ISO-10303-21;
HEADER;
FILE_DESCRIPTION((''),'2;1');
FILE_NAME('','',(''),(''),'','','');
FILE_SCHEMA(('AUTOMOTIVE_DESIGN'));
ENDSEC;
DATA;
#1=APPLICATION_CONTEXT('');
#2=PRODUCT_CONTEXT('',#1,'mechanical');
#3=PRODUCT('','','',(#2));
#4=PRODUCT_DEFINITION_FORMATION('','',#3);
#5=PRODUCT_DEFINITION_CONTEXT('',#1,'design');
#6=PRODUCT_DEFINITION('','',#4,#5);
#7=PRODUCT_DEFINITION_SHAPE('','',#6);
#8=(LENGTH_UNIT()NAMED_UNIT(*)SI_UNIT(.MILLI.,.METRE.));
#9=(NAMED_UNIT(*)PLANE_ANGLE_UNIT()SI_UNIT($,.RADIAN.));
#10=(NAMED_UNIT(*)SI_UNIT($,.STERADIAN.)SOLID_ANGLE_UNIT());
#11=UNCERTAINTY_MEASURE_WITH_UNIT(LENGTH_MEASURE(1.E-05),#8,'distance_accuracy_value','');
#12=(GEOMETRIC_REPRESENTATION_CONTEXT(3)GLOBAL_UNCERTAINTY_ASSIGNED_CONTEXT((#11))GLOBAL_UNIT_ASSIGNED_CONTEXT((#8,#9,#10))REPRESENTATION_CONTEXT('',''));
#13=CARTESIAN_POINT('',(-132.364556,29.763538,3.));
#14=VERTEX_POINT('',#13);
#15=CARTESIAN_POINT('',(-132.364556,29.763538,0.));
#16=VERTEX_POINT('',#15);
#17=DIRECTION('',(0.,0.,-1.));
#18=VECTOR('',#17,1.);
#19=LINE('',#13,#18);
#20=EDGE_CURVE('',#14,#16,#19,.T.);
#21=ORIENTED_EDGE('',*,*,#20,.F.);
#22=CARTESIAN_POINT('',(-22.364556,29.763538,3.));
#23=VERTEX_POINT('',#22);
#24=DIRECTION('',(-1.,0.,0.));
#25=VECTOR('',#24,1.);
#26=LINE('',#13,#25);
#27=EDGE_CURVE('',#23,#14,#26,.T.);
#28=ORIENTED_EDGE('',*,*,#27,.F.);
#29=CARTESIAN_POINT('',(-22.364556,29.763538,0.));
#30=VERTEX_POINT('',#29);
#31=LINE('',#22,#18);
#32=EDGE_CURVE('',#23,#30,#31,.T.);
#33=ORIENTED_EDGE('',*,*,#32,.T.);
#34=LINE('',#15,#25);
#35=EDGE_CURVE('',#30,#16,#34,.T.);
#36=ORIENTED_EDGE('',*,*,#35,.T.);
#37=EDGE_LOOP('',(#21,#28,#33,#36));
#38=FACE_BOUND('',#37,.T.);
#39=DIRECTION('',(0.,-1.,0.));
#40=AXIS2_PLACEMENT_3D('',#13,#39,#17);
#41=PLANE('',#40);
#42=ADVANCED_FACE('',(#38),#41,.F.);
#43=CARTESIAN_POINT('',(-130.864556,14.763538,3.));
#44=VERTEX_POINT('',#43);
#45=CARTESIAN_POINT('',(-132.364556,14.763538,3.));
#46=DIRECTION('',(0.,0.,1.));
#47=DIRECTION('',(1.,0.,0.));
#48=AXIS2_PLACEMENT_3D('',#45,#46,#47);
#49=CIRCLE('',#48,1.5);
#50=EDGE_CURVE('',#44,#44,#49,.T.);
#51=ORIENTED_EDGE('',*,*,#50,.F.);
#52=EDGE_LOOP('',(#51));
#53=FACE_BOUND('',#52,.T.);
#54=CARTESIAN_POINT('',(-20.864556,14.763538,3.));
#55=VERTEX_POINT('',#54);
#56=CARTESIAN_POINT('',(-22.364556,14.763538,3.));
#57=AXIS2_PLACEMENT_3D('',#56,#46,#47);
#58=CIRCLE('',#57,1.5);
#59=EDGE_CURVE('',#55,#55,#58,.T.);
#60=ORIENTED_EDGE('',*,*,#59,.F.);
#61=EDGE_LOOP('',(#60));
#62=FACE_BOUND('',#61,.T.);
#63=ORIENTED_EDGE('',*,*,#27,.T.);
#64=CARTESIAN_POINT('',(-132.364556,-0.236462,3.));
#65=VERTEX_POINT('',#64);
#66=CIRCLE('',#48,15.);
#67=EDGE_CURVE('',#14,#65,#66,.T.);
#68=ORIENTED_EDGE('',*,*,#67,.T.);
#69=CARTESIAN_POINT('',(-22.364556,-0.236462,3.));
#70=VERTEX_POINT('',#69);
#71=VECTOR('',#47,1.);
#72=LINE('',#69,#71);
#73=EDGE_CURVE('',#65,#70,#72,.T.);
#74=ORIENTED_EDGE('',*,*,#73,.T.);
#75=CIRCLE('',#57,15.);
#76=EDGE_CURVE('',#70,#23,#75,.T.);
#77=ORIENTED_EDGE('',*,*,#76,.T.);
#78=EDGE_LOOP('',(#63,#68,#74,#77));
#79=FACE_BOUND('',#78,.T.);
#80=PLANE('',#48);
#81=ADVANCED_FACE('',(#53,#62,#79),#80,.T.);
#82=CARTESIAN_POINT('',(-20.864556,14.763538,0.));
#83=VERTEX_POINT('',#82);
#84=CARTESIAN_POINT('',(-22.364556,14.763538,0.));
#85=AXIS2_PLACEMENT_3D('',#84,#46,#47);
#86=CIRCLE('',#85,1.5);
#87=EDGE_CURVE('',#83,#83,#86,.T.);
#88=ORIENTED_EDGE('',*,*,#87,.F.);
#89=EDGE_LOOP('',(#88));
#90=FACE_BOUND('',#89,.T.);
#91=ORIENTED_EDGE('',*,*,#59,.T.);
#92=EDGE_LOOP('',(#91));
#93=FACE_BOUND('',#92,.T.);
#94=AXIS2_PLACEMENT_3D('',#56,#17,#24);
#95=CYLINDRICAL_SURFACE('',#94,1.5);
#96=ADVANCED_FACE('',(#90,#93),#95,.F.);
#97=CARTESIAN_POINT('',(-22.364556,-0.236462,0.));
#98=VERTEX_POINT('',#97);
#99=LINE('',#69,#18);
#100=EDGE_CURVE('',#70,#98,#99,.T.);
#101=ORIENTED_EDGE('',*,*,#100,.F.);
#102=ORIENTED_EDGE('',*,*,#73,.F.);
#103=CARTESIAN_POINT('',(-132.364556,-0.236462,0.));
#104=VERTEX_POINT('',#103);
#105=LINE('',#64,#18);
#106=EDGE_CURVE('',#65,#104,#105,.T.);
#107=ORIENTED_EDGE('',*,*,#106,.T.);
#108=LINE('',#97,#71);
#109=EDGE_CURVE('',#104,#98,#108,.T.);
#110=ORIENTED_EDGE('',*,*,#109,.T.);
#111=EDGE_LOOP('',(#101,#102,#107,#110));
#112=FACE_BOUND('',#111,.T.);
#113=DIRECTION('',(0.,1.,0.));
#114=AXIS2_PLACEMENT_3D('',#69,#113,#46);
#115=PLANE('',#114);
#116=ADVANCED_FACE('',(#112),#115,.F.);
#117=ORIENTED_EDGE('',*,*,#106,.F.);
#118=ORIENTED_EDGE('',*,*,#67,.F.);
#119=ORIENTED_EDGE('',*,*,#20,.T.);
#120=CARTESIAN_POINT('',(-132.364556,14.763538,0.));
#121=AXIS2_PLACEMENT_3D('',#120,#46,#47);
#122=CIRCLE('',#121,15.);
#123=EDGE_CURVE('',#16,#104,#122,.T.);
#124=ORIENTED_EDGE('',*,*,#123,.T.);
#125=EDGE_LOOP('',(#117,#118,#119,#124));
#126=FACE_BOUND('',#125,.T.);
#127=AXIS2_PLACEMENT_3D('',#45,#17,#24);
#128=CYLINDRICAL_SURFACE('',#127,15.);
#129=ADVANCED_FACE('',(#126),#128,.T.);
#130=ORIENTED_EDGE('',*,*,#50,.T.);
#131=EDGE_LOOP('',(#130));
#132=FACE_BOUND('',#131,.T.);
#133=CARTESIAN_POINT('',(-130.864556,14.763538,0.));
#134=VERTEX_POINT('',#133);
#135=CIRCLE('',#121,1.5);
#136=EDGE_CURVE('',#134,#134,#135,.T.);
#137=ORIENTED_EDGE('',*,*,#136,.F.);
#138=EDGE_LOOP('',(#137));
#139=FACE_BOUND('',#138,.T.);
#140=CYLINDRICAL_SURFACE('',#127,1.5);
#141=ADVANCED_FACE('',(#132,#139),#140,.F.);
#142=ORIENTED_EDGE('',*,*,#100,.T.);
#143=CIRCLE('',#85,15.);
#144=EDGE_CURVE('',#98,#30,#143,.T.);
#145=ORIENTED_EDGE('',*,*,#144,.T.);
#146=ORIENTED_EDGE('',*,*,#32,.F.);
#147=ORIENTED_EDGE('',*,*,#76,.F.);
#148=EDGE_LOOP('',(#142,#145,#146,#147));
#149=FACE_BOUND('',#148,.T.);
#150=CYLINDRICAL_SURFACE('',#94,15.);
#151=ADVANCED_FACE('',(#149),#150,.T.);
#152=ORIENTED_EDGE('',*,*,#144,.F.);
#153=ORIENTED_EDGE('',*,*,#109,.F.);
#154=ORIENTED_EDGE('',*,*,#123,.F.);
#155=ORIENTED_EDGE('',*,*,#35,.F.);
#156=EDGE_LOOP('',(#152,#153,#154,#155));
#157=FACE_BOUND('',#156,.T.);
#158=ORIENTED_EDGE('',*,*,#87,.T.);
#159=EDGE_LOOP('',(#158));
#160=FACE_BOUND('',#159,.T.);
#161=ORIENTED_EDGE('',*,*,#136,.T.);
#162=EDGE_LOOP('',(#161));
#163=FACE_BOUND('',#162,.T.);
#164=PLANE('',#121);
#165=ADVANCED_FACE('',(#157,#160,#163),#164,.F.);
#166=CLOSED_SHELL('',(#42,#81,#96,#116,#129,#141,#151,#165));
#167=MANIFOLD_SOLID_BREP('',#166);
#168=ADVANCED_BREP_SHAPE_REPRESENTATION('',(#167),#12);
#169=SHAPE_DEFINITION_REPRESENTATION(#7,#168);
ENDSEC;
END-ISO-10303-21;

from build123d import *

# Parameters (mm, degrees)
SKETCH1_R           = 1.5
BOSS_EXTRUDE1_DEPTH = 3


with BuildPart() as part:
    # Sketch1 → Boss-Extrude1 (new body)
    with BuildSketch(Plane.XY):
        with BuildLine():
            Line((-132.364555611, 29.763538343), (-22.364555611, 29.763538343))
            ThreePointArc((-22.364555611, 29.763538343), (-7.364555611, 14.763538343), (-22.364555611, -0.236461657))
            Line((-22.364555611, -0.236461657), (-132.364555611, -0.236461657))
            ThreePointArc((-132.364555611, -0.236461657), (-147.364555611, 14.763538343), (-132.364555611, 29.763538343))
        make_face()
        with Locations((-22.364555611, 14.763538343)):
            Circle(SKETCH1_R, mode=Mode.SUBTRACT)
        with Locations((-132.364555611, 14.763538343)):
            Circle(SKETCH1_R, mode=Mode.SUBTRACT)
    extrude(amount=BOSS_EXTRUDE1_DEPTH)


solid = part.part
